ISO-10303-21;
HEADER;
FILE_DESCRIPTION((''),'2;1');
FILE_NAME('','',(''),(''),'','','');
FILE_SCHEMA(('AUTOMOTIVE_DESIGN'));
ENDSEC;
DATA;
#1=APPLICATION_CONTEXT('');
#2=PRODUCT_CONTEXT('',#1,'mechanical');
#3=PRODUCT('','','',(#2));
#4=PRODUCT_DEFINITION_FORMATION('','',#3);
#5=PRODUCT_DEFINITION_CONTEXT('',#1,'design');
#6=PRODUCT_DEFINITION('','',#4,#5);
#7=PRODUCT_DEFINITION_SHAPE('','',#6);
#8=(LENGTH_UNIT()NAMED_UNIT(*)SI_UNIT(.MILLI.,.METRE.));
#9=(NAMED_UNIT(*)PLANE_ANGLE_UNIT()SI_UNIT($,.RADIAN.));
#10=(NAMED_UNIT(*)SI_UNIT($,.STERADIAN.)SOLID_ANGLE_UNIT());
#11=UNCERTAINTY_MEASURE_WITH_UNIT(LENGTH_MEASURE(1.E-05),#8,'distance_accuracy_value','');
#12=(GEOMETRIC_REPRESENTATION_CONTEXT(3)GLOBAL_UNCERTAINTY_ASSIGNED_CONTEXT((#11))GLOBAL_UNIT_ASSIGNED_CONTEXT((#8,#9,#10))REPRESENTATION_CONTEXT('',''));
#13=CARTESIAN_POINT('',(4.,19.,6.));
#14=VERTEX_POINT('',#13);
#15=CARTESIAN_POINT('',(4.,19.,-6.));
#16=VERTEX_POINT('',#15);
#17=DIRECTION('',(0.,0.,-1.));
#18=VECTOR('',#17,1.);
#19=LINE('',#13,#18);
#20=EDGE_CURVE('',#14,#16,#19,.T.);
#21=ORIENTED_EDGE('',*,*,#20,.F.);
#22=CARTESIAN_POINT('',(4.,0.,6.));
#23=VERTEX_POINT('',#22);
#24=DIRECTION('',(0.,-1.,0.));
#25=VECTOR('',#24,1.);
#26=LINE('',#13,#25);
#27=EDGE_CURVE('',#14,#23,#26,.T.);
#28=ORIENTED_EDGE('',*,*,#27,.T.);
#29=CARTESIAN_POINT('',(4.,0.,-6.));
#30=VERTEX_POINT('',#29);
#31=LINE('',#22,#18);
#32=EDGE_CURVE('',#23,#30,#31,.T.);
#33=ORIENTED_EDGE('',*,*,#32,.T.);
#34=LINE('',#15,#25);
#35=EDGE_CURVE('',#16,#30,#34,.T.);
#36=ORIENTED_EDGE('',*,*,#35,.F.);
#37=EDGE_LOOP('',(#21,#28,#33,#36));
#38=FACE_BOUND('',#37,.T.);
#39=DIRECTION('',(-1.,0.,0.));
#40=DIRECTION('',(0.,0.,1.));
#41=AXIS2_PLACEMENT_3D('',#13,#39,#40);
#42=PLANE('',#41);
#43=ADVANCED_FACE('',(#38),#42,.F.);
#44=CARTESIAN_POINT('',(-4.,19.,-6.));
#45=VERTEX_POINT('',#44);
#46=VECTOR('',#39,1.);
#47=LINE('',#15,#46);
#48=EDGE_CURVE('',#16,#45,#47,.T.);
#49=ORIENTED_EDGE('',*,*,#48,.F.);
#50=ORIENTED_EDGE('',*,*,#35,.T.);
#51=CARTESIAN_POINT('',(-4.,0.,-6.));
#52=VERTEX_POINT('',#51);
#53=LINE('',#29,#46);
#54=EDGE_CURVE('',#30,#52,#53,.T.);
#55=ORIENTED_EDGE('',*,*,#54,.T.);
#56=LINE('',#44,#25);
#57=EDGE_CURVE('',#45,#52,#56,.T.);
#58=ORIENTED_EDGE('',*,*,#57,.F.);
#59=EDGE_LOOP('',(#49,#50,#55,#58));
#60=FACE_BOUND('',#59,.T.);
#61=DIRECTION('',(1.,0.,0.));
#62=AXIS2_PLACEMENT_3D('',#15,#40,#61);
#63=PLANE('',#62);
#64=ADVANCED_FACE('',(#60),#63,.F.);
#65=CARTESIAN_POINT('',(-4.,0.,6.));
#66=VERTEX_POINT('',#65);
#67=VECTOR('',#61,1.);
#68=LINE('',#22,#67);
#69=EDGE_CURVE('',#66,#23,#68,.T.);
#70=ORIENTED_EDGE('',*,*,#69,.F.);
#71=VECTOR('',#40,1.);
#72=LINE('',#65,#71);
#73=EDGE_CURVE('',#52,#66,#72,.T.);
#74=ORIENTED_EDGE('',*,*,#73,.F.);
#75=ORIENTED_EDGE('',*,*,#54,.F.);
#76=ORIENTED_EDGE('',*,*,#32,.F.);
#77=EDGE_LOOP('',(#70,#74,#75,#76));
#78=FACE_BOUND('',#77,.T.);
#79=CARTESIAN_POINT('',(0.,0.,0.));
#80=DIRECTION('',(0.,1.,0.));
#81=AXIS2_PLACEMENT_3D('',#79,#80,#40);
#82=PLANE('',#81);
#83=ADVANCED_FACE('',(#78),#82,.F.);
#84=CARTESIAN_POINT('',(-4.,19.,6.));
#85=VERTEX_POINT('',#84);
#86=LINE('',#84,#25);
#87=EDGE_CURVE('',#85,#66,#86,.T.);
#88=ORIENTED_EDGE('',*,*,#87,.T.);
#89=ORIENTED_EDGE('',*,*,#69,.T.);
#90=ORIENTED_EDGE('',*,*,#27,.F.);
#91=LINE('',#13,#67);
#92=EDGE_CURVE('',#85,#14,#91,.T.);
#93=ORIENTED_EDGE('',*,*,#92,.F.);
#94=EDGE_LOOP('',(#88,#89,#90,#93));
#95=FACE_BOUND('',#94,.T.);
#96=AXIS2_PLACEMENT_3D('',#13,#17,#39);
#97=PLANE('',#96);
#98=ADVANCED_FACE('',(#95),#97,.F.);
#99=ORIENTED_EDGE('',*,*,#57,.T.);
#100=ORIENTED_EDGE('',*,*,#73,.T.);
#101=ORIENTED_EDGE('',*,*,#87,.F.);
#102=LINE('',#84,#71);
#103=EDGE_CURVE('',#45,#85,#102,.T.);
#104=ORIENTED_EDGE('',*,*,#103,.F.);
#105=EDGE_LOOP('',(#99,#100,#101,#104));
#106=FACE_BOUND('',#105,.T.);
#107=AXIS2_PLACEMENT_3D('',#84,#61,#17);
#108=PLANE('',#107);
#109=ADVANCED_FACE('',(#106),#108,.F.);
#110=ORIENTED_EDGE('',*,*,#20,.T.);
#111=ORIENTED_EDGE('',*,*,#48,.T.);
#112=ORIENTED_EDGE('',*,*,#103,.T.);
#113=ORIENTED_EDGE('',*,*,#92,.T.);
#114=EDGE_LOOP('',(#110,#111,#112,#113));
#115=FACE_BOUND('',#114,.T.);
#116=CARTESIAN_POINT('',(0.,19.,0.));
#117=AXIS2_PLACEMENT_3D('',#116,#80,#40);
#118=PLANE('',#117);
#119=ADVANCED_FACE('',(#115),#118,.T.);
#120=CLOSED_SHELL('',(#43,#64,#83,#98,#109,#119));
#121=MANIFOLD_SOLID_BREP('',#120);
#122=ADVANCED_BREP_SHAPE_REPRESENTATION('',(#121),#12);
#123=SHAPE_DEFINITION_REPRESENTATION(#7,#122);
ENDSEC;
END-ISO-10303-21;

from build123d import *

# Parameters (mm, degrees)
ESQUISSE1_W        = 8
ESQUISSE1_H        = 12
BOSS_EXTRU_1_DEPTH = 19


with BuildPart() as part:
    # Esquisse1 → Boss.-Extru.1 (new body)
    with BuildSketch(Plane(origin=(0, 0, 0), x_dir=(1, 0, 0), z_dir=(0, 1, 0))):
        Rectangle(ESQUISSE1_W, ESQUISSE1_H)
    extrude(amount=BOSS_EXTRU_1_DEPTH)


solid = part.part
